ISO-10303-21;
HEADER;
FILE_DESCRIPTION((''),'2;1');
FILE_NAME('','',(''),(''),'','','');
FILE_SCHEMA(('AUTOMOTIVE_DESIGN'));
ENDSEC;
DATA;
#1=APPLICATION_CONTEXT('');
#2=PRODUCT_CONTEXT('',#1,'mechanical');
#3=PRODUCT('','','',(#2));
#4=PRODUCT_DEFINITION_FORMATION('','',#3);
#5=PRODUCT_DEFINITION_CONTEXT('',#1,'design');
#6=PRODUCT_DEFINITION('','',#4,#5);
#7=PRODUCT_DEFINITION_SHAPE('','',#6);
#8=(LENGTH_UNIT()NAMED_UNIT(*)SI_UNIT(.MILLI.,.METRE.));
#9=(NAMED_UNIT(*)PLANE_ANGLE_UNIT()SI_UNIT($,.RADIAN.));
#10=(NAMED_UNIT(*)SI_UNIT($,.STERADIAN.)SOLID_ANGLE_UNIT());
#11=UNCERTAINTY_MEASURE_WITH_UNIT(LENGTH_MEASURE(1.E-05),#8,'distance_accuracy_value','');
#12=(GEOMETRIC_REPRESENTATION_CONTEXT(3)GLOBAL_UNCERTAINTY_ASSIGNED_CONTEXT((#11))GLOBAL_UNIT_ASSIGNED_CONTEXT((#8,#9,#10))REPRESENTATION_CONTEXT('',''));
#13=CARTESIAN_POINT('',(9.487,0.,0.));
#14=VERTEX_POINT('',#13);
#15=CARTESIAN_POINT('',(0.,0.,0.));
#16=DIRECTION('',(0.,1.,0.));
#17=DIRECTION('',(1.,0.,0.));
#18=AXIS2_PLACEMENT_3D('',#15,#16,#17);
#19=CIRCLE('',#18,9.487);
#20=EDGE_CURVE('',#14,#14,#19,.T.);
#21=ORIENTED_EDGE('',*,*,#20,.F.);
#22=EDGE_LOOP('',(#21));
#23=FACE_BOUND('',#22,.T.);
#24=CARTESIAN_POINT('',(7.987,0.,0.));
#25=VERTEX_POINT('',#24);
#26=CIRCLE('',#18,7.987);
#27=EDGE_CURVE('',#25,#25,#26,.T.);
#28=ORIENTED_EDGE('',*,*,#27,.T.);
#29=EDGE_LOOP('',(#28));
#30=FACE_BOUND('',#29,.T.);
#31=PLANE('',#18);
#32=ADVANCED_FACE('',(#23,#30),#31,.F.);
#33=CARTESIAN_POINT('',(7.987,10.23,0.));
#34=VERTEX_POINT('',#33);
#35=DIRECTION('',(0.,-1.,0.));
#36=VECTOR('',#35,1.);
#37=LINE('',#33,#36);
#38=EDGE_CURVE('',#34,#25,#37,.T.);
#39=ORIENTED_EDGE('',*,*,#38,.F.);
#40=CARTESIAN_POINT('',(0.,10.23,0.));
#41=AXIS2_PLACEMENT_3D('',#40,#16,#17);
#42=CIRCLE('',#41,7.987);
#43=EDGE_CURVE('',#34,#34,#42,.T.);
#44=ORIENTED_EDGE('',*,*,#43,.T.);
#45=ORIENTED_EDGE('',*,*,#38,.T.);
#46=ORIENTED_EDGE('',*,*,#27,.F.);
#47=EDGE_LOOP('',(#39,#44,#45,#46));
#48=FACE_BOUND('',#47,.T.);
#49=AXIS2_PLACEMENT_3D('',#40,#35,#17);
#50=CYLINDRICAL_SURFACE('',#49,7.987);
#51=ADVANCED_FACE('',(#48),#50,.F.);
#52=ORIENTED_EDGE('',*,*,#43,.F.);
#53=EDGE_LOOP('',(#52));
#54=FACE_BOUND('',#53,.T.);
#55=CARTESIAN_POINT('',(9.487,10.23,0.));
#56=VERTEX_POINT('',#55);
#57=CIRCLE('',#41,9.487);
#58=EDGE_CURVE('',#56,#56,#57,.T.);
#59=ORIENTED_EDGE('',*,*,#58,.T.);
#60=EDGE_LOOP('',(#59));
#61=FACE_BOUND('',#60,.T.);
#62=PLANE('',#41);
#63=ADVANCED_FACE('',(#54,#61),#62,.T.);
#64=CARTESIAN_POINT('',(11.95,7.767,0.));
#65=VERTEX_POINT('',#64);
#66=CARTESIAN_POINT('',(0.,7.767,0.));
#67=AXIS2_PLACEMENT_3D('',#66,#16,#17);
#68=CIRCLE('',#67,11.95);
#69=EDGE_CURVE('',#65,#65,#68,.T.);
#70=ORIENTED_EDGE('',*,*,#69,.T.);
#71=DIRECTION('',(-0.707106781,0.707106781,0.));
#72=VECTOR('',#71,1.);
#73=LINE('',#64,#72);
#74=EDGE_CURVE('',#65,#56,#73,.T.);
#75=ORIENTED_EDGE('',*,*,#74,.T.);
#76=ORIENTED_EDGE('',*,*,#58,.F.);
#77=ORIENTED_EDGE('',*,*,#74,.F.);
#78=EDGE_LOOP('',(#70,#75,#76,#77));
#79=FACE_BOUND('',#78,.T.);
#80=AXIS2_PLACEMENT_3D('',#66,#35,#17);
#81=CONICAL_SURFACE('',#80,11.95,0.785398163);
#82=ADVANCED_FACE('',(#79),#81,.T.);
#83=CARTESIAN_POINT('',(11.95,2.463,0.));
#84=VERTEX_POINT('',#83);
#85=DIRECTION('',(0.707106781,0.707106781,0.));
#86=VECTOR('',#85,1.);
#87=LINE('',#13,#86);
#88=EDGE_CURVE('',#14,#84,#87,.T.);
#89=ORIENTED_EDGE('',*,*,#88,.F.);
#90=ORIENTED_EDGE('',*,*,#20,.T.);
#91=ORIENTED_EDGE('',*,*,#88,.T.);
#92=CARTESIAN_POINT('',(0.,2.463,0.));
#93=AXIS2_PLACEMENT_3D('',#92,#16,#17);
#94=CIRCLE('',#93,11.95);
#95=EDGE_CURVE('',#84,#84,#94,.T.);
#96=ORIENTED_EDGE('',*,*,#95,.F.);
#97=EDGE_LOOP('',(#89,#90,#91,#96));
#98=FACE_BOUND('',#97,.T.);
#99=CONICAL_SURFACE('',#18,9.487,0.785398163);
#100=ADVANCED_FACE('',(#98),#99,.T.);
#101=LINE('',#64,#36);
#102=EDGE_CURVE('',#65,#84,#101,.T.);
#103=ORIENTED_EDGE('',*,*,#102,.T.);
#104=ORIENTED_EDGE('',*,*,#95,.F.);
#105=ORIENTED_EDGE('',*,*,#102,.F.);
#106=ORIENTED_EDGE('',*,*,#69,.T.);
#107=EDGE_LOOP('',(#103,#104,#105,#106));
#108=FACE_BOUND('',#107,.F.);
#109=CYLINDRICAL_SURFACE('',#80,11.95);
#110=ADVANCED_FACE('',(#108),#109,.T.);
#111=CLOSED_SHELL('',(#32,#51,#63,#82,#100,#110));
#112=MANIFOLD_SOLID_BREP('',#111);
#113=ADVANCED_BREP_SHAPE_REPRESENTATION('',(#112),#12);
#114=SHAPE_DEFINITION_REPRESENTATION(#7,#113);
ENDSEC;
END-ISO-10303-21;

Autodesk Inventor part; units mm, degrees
ref_plane "YZ Plane" through (0, 0, 0) normal (1, 0, 0) x (0, 1, 0)
ref_plane "XZ Plane" through (0, 0, 0) normal (0, 1, 0) x (-1, 0, 0)
ref_plane "XY Plane" through (0, 0, 0) normal (0, 0, 1) x (1, 0, 0)
sketch "Sketch1" plane through (0, 0, 0) normal (0, 0, 1) x (1, 0, 0)
  line L0 (0, 0) -> (0, 12.4297) construction
  line L1 (7.987, 0) -> (9.487, 0)
  line L2 (9.487, 0) -> (11.95, 2.463)
  line L3 (11.95, 7.767) -> (9.487, 10.23)
  line L4 (9.487, 10.23) -> (7.987, 10.23)
  line L5 (7.987, 10.23) -> (7.987, 0)
  line L6 (7.987, 5.115) -> (38.026, 5.115) construction
  line L7 (0, 0) -> (31.3179, 0) construction
  line L8 (11.95, 7.767) -> (11.95, 2.463)
  point P0 (8.9576, 5.115)
  dimension "d0" = 10.23
  dimension "d1" = 15.974
  dimension "d2" = 90
  dimension "d5" = 23.9
  dimension "d7" = 1.5
revolve "Revolution1" add sketch "Sketch1" angle 360 about axis through (0, 0, 0) along (0, 1, 0)
properties part number "Solid V-Wheel"
